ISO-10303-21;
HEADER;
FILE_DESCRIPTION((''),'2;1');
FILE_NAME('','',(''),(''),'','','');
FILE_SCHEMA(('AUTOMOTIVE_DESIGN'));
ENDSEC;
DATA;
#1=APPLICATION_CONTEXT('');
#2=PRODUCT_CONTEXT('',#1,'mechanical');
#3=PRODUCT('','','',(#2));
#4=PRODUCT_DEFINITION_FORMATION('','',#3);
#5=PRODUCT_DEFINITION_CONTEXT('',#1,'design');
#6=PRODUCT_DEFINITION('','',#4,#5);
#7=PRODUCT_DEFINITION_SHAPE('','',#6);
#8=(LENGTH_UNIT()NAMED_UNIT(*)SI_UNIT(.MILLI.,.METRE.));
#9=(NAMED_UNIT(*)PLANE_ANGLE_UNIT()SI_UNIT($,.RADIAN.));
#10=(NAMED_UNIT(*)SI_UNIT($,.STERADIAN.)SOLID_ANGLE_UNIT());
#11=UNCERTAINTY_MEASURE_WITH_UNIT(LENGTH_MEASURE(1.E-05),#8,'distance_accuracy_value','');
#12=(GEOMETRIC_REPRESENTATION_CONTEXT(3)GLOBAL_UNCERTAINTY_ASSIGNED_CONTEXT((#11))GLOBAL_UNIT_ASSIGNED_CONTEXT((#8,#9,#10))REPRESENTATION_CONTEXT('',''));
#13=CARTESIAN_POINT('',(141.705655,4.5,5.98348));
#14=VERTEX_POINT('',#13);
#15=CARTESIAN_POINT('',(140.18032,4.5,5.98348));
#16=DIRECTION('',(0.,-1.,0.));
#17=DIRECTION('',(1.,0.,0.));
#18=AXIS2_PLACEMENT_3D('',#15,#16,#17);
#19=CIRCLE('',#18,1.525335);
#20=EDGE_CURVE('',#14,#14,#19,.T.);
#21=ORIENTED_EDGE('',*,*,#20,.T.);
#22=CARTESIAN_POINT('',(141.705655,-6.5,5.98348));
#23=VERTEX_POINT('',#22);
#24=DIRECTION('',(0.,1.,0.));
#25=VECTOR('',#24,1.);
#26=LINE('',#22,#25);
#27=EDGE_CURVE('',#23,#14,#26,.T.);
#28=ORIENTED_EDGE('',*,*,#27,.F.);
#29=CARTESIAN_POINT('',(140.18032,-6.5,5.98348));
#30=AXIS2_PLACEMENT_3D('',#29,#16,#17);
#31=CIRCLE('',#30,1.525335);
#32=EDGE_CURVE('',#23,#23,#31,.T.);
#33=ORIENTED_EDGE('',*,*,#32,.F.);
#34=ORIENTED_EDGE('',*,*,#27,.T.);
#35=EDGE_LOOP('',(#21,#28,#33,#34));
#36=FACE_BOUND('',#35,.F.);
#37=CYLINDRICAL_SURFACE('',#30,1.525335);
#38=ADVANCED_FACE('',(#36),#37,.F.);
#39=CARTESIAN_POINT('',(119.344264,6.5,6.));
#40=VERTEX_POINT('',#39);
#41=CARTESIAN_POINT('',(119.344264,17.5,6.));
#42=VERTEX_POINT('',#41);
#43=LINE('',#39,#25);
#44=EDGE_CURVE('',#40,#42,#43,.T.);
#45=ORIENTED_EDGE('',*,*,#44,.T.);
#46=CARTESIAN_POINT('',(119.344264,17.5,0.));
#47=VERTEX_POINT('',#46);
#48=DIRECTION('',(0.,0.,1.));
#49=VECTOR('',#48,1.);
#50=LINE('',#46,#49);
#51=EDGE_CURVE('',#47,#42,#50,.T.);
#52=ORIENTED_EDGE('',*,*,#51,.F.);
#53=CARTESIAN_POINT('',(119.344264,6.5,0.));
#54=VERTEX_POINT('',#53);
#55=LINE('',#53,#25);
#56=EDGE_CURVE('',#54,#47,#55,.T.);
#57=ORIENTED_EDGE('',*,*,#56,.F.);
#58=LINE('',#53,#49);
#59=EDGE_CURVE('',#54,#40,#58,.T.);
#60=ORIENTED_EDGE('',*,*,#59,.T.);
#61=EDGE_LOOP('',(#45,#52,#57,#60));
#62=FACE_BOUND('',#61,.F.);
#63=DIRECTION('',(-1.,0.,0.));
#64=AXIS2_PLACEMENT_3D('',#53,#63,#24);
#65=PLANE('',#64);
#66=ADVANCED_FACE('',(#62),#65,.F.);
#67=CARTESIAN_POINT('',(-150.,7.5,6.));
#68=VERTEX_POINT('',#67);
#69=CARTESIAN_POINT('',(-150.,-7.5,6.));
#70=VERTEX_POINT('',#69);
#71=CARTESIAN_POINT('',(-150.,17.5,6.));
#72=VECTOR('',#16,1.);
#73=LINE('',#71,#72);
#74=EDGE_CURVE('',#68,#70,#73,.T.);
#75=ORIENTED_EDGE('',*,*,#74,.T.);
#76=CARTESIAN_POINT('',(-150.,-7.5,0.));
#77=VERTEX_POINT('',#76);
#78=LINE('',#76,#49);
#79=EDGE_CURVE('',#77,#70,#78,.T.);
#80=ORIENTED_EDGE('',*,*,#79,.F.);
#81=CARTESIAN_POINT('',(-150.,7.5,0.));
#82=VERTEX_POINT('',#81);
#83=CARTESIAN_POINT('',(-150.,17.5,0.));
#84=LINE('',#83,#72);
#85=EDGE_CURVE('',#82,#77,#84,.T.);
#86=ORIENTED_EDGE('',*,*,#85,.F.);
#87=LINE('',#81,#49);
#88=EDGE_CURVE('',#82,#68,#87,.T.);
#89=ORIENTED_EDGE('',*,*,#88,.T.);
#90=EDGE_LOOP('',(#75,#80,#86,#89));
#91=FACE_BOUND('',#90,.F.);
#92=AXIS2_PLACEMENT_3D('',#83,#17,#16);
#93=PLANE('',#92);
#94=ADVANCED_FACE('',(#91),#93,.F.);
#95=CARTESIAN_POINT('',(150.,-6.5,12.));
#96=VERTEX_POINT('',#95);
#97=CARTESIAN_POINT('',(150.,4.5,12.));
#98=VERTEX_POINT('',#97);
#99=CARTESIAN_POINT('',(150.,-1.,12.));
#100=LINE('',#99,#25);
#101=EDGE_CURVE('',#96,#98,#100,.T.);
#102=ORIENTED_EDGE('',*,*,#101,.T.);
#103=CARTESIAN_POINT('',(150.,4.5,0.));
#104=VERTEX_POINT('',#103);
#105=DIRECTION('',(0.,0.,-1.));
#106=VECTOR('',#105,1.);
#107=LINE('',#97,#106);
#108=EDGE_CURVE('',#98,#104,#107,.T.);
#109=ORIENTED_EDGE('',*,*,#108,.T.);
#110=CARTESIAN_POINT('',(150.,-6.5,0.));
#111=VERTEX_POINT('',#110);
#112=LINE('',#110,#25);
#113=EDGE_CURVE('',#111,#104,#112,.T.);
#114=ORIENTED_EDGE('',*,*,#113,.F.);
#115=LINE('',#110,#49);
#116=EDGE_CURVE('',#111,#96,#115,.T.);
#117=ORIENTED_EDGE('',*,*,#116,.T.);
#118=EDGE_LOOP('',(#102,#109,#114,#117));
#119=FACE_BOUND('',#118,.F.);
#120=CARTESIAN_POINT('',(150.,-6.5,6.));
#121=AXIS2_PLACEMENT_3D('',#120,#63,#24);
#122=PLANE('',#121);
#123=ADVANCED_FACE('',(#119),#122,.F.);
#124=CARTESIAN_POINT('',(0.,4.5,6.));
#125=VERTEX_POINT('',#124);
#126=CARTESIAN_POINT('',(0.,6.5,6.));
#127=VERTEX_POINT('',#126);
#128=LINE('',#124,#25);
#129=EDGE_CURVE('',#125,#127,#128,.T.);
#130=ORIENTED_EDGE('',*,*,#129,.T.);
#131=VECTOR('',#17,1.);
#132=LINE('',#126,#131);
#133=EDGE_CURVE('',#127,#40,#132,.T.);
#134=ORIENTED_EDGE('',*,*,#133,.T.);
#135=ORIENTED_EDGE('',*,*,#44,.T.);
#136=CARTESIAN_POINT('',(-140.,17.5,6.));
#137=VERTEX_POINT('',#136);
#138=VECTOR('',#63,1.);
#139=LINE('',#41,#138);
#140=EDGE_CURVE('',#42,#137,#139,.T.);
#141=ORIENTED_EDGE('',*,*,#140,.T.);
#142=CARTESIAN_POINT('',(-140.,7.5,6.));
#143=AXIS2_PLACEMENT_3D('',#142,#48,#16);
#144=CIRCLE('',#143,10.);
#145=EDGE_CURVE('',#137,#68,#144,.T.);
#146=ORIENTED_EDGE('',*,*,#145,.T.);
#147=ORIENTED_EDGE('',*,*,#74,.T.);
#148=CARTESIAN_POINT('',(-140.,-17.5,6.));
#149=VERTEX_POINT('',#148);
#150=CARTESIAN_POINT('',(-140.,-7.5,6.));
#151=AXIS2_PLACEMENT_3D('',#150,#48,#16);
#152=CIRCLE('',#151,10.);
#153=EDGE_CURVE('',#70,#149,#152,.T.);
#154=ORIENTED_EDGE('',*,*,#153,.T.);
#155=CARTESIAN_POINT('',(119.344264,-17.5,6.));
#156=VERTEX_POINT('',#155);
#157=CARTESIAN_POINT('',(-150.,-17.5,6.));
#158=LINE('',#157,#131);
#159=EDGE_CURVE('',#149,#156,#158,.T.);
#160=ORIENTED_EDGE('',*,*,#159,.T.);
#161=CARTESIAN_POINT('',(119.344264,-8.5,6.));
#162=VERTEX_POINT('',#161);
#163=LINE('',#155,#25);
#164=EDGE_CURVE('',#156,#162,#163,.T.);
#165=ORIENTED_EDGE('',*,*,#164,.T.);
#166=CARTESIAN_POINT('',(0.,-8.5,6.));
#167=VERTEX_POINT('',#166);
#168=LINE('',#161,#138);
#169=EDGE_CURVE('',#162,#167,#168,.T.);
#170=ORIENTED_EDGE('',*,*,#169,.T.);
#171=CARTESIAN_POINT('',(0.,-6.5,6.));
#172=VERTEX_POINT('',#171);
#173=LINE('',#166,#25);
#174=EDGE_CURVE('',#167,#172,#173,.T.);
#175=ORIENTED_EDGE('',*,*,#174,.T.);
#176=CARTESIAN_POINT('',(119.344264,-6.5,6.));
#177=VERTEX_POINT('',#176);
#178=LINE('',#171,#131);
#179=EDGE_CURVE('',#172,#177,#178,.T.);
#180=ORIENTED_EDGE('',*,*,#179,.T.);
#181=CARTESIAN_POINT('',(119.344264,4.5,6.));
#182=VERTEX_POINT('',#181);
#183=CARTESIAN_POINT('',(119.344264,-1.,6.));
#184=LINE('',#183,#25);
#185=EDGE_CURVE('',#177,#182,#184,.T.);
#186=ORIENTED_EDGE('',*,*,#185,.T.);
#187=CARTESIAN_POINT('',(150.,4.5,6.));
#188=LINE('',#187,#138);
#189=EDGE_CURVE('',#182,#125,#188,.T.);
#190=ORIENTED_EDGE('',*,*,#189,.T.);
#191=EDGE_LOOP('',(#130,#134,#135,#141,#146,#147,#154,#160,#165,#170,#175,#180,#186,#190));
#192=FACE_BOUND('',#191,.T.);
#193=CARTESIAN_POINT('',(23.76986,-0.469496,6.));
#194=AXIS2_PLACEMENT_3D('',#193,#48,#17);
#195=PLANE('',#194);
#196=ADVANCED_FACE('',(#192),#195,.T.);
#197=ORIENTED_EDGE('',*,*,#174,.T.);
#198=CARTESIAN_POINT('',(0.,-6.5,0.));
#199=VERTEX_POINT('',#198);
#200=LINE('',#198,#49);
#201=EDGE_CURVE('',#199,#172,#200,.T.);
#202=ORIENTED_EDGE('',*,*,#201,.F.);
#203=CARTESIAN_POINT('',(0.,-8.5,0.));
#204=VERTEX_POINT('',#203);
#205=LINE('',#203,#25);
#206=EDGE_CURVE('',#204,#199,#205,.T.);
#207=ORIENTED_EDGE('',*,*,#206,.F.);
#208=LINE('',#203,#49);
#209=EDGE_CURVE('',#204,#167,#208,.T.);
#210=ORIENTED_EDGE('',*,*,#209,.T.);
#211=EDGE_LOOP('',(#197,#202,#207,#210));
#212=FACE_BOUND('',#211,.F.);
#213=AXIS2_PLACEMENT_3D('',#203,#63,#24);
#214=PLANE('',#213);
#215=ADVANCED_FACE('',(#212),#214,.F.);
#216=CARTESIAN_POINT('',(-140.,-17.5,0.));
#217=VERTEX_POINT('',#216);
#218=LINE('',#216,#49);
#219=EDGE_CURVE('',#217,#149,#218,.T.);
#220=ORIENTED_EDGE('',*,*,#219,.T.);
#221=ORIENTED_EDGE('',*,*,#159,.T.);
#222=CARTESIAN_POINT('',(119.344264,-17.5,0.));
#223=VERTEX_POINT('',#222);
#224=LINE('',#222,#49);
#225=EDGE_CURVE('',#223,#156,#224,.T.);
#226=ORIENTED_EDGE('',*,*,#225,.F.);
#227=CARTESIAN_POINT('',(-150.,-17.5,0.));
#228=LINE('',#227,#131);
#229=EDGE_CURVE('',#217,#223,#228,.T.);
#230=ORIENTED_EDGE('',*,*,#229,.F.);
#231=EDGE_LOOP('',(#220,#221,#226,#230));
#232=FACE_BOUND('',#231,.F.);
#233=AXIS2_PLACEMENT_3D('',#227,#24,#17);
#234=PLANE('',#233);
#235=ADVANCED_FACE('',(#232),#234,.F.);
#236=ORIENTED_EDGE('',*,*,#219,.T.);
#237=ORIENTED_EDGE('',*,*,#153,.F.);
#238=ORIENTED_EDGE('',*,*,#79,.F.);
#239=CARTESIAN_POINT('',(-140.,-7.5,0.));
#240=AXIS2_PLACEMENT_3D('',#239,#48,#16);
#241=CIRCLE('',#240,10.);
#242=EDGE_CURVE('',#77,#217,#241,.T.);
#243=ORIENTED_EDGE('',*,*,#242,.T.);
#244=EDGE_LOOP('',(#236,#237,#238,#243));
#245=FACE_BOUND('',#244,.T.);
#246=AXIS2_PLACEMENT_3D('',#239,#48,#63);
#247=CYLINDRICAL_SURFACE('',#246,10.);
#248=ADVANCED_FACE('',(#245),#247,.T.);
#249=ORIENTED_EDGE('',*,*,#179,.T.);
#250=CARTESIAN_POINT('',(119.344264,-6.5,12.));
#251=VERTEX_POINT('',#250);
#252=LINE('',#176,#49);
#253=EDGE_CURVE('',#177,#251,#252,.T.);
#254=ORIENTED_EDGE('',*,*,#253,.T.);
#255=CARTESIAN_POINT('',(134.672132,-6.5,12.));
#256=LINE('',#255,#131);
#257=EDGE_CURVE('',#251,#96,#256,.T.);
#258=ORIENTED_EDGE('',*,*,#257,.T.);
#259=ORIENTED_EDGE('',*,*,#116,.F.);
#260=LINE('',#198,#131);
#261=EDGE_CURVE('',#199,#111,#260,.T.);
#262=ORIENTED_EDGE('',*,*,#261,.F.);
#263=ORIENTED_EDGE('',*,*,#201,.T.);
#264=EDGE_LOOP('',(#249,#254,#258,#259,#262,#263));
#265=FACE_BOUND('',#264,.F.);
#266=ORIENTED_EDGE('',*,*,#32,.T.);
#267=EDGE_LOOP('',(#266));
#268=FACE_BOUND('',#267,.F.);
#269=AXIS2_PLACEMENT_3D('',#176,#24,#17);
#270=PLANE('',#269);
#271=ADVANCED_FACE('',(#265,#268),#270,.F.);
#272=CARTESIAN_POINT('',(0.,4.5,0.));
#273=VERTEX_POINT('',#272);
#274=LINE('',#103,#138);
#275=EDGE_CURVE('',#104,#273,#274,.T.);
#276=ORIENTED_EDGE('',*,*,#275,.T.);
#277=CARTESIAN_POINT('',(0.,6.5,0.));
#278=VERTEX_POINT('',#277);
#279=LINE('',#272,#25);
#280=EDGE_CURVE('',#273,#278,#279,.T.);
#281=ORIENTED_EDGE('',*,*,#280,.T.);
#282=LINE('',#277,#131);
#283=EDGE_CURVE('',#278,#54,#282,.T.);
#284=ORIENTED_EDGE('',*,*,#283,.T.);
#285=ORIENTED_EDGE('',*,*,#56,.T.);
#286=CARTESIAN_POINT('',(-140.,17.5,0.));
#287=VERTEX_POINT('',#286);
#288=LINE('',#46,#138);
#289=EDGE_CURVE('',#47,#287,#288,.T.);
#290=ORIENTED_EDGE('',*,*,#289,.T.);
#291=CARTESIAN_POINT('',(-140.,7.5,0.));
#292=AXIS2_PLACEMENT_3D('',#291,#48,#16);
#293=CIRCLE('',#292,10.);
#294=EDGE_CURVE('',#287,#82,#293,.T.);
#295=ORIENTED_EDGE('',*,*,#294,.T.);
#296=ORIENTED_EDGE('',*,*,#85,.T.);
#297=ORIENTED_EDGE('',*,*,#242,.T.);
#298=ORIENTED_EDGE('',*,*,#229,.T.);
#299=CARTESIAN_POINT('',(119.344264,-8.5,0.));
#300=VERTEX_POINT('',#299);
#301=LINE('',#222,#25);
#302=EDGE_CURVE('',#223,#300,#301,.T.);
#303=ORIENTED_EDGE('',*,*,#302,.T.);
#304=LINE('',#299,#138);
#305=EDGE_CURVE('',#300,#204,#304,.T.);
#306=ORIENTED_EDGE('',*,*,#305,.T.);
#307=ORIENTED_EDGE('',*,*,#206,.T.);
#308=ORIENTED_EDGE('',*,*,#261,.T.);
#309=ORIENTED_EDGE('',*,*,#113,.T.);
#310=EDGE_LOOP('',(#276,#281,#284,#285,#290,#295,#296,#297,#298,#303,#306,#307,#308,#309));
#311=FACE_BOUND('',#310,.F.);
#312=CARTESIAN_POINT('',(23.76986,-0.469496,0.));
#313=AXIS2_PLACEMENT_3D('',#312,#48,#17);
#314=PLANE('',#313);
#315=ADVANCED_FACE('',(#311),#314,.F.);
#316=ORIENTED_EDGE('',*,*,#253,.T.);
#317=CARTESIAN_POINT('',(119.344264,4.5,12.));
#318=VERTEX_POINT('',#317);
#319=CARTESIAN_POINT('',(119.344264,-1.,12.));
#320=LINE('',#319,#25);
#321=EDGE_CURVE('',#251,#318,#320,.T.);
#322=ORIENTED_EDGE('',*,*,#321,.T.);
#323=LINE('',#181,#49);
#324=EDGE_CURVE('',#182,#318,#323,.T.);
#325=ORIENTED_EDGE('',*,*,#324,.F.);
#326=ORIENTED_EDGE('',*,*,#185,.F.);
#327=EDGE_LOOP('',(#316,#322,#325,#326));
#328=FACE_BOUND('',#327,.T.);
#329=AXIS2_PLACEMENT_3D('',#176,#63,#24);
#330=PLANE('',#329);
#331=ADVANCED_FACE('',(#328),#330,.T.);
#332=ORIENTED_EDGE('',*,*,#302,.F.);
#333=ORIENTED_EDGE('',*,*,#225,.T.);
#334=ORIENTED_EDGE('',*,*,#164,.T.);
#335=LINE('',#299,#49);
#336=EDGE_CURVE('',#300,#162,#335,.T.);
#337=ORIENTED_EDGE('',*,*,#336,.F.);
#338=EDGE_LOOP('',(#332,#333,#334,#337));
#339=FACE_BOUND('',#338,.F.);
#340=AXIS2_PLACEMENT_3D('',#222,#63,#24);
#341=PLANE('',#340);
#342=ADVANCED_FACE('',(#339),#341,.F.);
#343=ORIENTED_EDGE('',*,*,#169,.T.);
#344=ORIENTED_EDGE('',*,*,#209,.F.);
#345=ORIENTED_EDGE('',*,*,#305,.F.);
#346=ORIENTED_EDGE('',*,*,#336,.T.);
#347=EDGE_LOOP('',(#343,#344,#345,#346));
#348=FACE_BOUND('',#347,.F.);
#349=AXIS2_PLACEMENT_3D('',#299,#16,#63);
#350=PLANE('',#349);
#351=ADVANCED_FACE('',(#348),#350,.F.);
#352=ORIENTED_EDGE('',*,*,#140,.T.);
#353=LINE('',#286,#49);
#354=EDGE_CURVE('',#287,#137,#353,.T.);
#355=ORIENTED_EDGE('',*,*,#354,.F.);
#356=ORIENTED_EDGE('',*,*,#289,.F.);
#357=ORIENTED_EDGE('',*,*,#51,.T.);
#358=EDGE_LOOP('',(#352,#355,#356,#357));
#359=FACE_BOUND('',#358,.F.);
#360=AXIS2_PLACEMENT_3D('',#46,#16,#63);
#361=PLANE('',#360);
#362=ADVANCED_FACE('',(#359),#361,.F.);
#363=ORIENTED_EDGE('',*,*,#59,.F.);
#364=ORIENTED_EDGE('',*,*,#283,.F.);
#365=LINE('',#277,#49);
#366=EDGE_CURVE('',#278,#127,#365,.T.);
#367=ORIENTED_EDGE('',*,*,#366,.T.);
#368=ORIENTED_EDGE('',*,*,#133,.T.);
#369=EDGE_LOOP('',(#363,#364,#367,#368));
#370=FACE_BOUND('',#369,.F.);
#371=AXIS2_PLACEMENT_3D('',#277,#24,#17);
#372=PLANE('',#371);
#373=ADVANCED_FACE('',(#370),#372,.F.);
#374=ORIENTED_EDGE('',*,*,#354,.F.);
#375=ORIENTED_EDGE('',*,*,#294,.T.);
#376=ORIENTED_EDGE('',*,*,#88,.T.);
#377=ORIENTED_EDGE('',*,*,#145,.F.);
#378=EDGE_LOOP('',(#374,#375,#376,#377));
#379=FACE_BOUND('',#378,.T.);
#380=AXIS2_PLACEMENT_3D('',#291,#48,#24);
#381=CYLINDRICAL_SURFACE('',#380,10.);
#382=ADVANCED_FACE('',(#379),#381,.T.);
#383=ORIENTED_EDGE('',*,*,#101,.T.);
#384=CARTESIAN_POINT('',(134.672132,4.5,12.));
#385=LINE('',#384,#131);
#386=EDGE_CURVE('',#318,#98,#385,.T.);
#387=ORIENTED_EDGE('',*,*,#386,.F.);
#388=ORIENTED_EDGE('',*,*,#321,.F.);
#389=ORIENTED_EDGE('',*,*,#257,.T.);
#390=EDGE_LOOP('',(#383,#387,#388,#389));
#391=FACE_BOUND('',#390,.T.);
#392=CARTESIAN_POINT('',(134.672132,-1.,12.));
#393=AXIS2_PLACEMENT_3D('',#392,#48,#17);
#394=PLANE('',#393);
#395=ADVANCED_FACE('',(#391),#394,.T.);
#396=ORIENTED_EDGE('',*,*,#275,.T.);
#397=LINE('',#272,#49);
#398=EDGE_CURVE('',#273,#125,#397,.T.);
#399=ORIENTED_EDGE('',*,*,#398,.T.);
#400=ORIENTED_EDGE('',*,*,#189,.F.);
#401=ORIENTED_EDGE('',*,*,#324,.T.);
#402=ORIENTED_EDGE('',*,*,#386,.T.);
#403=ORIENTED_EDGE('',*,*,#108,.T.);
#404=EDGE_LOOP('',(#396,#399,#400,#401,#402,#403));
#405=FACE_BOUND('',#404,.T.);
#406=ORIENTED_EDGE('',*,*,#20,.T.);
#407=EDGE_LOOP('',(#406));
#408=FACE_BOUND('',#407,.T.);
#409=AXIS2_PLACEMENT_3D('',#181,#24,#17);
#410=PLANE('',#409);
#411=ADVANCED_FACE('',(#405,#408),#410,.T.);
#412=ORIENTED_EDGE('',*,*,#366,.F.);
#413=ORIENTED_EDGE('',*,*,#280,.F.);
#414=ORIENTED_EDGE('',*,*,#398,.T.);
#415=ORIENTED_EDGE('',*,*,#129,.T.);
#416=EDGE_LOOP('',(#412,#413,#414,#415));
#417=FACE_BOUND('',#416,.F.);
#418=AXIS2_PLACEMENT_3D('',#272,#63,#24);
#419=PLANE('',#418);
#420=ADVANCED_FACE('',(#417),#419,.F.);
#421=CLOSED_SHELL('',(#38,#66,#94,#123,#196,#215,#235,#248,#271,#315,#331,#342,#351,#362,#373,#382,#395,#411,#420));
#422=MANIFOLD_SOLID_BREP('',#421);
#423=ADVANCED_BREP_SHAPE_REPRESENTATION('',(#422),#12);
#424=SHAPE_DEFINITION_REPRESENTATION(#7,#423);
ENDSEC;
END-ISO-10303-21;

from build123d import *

# Parameters (mm, degrees)
F1_DEPTH = 6
F2_R     = 10
F3_W     = 30.655736
F3_H     = 11
F4_DEPTH = 6
F5_R     = 1.525335
F6_DEPTH = 11.4


with BuildPart() as f1:
    # F0 (on Top) → F1 (new body)
    with BuildSketch(Plane.XY):
        Polygon((119.344264, 17.5), (-150, 17.5), (-150, -17.5), (119.344264, -17.5), (119.344264, -8.5), (0, -8.5), (0, -6.5), (150, -6.5), (150, 4.5), (0, 4.5), (0, 6.5), (119.344264, 6.5), align=None)
    extrude(amount=F1_DEPTH)

    # F2
    f2_edges = [f1.edges().sort_by_distance(p)[0] for p in [
        (-150, -17.5, 3),
        (-150, 17.5, 3),
    ]]
    fillet(f2_edges, radius=F2_R)

    # F3 (on face) → F4 (join)
    with BuildSketch(Plane.XY.offset(6)):
        with Locations((134.672132, -1)):
            Rectangle(F3_W, F3_H)
    extrude(amount=F4_DEPTH)

    # F5 (on face) → F6 (cut)
    with BuildSketch(Plane.XZ.offset(6.5)):
        with Locations((140.18032, 5.98348)):
            Circle(F5_R)
    extrude(amount=-F6_DEPTH, mode=Mode.SUBTRACT)


solid = f1.part
